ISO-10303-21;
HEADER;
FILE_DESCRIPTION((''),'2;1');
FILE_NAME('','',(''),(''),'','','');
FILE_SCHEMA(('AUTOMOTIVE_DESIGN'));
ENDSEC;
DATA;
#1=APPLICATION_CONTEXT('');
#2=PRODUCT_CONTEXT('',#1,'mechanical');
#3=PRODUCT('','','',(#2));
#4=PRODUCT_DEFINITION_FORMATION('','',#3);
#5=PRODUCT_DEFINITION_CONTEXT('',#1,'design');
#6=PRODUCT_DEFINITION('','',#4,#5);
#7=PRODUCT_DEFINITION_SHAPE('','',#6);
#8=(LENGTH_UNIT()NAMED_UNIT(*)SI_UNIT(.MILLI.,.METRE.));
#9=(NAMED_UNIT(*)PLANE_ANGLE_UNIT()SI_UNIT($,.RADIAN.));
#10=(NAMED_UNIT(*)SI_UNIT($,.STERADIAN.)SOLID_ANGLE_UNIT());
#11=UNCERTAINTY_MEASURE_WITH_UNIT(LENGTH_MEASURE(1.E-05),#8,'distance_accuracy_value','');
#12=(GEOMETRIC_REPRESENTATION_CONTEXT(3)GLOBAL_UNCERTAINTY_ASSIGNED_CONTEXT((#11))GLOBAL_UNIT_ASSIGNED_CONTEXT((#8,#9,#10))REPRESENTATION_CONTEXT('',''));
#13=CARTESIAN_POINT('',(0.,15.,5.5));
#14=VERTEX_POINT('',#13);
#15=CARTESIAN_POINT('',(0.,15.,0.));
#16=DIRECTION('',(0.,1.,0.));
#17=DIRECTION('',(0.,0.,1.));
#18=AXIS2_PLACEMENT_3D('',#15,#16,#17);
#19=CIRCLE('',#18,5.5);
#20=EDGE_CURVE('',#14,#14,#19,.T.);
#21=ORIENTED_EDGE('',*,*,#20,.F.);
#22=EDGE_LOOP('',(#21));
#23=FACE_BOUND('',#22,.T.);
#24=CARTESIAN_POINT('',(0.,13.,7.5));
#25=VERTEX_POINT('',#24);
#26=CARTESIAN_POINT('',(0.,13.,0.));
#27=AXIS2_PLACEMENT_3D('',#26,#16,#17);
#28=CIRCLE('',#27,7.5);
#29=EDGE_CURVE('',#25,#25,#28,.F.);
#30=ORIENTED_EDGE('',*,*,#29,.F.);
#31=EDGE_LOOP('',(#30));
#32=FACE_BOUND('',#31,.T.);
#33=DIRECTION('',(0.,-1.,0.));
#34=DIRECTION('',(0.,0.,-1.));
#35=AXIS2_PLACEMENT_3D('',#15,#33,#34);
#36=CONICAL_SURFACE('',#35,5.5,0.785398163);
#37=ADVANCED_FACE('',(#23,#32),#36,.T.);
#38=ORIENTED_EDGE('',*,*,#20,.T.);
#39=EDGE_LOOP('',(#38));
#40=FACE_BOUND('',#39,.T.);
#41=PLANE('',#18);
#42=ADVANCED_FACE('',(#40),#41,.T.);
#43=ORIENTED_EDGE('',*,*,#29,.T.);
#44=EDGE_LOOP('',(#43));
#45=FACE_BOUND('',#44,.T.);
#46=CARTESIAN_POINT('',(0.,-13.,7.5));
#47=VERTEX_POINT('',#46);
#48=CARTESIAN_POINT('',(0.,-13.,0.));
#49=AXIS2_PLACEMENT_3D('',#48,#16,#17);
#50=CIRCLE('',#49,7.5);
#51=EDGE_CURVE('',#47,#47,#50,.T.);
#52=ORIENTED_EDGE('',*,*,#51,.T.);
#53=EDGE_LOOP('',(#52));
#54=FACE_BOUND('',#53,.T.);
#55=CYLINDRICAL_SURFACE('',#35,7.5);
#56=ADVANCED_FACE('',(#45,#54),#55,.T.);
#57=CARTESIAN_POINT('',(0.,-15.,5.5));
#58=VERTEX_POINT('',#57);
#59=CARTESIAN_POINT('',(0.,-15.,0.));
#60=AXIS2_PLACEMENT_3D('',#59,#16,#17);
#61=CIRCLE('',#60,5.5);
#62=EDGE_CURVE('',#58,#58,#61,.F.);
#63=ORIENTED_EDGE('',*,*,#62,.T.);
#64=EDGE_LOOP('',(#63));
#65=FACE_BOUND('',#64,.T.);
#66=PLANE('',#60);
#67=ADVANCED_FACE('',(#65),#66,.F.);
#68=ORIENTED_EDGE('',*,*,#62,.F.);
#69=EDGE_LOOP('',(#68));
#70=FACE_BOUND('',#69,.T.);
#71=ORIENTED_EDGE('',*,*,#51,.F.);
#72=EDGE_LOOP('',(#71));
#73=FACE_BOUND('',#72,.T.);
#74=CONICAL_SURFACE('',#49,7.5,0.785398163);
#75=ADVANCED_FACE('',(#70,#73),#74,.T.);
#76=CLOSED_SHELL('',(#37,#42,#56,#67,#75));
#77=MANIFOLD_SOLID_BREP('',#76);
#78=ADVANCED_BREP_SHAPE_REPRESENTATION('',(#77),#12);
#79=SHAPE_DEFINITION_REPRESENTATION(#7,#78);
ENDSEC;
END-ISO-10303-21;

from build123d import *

# Parameters (mm, degrees)
SKETCH1_R           = 7.5
BOSS_EXTRUDE1_DEPTH = 15
CHAMFER2_SIZE       = 2


with BuildPart() as part:
    # Sketch1 → Boss-Extrude1 (new body, symmetric)
    with BuildSketch(Plane(origin=(0, 0, 0), x_dir=(1, 0, 0), z_dir=(0, 1, 0))):
        Circle(SKETCH1_R)
    extrude(amount=BOSS_EXTRUDE1_DEPTH, both=True)

    # Chamfer2
    chamfer2_edges = [part.edges().sort_by_distance(p)[0] for p in [
        (-7.5, -15, 0),
        (-7.5, 15, 0),
    ]]
    chamfer(chamfer2_edges, length=CHAMFER2_SIZE)


solid = part.part
